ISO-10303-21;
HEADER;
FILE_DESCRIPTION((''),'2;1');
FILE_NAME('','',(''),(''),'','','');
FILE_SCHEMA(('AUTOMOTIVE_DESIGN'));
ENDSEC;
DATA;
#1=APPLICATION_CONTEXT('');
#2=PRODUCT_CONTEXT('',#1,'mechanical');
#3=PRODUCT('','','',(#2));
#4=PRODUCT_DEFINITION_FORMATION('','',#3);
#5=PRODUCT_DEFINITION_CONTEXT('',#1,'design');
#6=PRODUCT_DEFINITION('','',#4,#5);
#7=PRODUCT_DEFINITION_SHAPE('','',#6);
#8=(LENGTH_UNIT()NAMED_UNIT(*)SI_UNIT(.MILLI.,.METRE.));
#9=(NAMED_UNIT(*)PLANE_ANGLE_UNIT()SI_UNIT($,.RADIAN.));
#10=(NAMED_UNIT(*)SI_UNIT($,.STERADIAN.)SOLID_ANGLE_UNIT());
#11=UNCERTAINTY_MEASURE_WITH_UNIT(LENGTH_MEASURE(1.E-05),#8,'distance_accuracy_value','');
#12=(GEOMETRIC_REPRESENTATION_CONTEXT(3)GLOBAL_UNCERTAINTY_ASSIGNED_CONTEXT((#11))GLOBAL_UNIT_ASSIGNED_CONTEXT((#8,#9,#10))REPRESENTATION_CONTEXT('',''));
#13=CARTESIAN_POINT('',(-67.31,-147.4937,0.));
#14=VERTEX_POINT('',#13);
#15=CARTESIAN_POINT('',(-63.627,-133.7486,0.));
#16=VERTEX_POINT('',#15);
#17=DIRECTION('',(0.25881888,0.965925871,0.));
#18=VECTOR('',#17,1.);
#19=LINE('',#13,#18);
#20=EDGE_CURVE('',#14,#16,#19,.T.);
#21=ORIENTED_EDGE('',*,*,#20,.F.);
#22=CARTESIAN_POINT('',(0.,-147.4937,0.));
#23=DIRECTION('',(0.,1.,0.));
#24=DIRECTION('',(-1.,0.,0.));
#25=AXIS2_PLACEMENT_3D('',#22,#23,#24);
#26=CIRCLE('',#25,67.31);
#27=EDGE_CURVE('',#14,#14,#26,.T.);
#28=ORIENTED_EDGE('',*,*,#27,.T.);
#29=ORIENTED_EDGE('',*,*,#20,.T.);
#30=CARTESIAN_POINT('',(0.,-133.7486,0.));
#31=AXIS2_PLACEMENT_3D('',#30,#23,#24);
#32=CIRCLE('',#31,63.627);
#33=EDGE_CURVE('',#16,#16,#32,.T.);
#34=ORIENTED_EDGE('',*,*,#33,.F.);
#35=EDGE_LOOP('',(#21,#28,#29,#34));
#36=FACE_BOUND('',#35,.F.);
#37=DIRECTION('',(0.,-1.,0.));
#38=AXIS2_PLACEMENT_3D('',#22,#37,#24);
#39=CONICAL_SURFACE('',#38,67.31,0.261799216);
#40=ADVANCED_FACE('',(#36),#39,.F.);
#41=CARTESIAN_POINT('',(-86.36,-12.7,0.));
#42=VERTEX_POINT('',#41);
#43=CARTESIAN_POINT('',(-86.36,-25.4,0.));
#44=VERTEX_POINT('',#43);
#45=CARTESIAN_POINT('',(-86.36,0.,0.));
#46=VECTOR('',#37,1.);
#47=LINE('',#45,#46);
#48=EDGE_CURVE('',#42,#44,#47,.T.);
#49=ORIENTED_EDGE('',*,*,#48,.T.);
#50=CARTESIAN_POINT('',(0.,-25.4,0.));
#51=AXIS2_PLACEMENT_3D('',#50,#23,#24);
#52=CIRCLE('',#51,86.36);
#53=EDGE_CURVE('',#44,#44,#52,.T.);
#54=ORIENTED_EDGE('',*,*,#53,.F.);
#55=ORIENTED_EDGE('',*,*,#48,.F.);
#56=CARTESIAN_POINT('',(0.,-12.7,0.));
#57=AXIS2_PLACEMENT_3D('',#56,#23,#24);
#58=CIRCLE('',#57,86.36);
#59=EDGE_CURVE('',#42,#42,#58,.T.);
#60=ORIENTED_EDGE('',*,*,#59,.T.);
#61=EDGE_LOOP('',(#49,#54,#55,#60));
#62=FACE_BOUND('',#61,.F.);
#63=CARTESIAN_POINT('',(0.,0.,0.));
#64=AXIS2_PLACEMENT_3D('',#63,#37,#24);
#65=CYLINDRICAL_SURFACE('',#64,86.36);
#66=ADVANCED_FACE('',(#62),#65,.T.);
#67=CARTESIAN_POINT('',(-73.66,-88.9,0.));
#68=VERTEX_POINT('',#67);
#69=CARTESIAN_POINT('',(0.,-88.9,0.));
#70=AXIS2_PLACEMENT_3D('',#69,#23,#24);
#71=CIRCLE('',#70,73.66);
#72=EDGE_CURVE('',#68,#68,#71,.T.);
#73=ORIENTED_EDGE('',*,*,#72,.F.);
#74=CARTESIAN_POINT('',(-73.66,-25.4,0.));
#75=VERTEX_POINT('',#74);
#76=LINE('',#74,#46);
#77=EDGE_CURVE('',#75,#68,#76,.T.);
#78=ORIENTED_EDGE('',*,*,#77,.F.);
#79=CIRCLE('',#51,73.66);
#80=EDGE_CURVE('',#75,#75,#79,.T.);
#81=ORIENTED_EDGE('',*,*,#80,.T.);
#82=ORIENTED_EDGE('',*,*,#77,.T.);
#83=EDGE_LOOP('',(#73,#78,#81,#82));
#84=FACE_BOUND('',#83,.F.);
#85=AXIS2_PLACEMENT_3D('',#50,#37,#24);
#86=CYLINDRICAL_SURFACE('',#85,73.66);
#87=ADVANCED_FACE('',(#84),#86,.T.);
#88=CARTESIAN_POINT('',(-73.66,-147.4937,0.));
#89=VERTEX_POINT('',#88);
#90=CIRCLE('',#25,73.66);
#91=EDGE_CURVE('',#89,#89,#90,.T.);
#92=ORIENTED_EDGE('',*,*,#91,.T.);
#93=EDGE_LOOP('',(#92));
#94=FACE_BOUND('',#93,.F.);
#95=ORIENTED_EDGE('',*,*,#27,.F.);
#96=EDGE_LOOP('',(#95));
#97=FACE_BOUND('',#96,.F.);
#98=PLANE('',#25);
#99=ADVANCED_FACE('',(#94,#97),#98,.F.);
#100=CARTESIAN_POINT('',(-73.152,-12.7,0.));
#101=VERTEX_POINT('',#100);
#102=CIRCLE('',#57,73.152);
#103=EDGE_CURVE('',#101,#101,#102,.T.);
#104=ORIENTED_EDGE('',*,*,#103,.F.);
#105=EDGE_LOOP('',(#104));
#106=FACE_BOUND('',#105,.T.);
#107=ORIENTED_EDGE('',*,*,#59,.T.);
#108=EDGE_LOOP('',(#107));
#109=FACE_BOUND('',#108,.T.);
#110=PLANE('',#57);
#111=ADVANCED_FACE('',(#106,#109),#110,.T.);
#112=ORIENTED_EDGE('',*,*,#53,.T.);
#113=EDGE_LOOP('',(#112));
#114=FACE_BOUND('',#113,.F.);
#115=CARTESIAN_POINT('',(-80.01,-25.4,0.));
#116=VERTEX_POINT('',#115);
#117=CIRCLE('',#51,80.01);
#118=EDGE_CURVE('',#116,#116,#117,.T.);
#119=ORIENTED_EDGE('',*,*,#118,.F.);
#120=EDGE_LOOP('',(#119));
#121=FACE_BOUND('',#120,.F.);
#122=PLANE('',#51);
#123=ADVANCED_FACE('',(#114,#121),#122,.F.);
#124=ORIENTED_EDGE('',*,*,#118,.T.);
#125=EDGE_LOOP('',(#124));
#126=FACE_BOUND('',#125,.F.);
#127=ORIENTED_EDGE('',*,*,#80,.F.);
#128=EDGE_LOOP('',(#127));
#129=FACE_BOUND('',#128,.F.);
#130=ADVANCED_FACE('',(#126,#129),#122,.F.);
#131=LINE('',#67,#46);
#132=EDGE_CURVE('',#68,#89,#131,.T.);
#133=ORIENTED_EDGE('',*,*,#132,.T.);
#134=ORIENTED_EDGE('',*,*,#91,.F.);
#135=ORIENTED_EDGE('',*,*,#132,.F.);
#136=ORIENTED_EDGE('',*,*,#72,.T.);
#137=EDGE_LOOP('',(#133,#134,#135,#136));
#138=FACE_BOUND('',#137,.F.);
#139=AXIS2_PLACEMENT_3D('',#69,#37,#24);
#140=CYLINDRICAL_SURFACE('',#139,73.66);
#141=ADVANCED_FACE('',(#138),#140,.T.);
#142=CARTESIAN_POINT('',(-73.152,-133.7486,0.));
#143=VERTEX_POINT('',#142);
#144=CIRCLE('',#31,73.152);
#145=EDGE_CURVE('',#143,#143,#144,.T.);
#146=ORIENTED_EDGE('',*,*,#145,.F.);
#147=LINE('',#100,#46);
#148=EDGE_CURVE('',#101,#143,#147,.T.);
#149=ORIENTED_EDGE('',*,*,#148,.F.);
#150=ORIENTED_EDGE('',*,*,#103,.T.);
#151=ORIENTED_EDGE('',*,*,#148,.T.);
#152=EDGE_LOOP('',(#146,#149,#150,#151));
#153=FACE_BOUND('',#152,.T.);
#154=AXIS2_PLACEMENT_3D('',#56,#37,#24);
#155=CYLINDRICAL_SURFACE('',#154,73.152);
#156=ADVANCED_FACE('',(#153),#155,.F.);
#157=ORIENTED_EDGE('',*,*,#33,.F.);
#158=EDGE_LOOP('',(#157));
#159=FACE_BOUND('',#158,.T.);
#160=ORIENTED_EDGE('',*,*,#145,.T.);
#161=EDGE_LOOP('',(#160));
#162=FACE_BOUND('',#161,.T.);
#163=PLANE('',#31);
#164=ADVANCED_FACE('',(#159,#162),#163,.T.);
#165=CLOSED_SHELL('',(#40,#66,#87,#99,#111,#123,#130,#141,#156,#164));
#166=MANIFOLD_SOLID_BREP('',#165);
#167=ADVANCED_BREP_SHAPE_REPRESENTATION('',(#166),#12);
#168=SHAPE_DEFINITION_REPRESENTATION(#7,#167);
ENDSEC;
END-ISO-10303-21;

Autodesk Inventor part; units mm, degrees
ref_plane "YZ Plane" through (0, 0, 0) normal (1, 0, 0) x (0, 1, 0)
ref_plane "XZ Plane" through (0, 0, 0) normal (0, 1, 0) x (-1, 0, 0)
ref_plane "XY Plane" through (0, 0, 0) normal (0, 0, 1) x (1, 0, 0)
sketch "Sketch1" plane through (0, 0, 0) normal (0, 0, 1) x (1, 0, 0)
  line L0 (0, 25.4) -> (-28.702, 25.4) construction
  line L1 (0, 25.4) -> (-86.36, 25.4) construction
  line L2 (-86.36, 25.4) -> (-80.01, 25.4) construction
  line L3 (-80.01, 25.4) -> (-73.66, 22.4389) construction
  line L4 (-80.01, 25.4) -> (-80.01, 22.4389) construction
  line L5 (-80.01, 0) -> (-86.36, 0)
  line L6 (-28.702, 59.6457) -> (-28.702, -91.9304) construction
  arc A0 (-28.9184, -4.2142) -> (-32.3684, 3.1843) centre (-35.052, -2.5707) ccw
  line L7 (-67.31, -147.4937) -> (-28.9184, -4.2142)
  line L8 (-80.01, 22.4389) -> (-73.66, 22.4389)
  line L9 (-80.01, 22.4389) -> (-80.01, 0)
  line L10 (-73.66, 22.4389) -> (-32.3684, 3.1843)
  line L11 (-28.702, -2.5707) -> (-60.452, -2.5707) construction
  line L12 (-60.452, 16.28) -> (-60.452, -121.8993) construction
  line L13 (-60.452, -121.8993) -> (-54.102, -121.8993) construction
  line L14 (-54.102, -121.8993) -> (-54.102, -98.2008) construction
  line L15 (-54.102, -98.2008) -> (-60.452, -98.2008)
  line L16 (-60.452, 16.28) -> (-60.452, 6.755) construction
  line L17 (-60.452, 16.28) -> (-60.452, 9.93) construction
  line L18 (-60.452, 9.93) -> (-46.8344, 9.93)
  line L19 (-60.452, 9.93) -> (-60.452, -98.2008)
  line L20 (-86.36, 0) -> (-86.36, -12.7) construction
  line L21 (-60.452, -12.7) -> (-73.152, -12.7) construction
  line L22 (-86.36, -12.7) -> (-86.36, -25.4) construction
  line L23 (-86.36, -25.4) -> (-86.36, -88.9) construction
  line L24 (-86.36, -88.9) -> (-73.66, -88.9) construction
  line L25 (-73.66, -88.9) -> (-73.66, -25.4) construction
  line L26 (-86.36, -25.4) -> (-73.66, -25.4)
  line L27 (-73.66, -25.4) -> (-73.66, -88.9)
  line L28 (-73.66, -88.9) -> (-86.36, -88.9)
  line L29 (-86.36, -12.7) -> (-73.152, -12.7)
  line L30 (-73.152, -133.7486) -> (-63.627, -133.7486)
  line L31 (-73.66, -88.9) -> (-73.66, -147.4937)
  line L32 (-73.66, -147.4937) -> (-67.31, -147.4937)
  line L33 (-73.152, -12.7) -> (-73.152, -133.7486)
  line L34 (-80.01, -25.4) -> (-80.01, -31.3436)
  line L35 (-80.01, -31.3436) -> (-86.36, -31.3436)
  line L36 (-86.36, 0) -> (-86.36, -25.4)
  line L37 (-86.36, -31.3436) -> (-86.36, -88.9)
  line L38 (0, -319.0244) -> (0, 122.7573) projected
  point P0 (0, 0)
  point P1 (-86.36, -255.9127)
  point P2 (-76.835, 22.4389)
  dimension "d0" = 28.702
  dimension "d1" = 86.36
  dimension "d2" = 6.35
  dimension "d3" = 25
  dimension "d5" = 25.4
  dimension "d6" = 25.4
  dimension "d8" = 12.7
  dimension "d11" = 6.35
  dimension "d12" = 31.75
  dimension "d13" = 6.35
  dimension "d15" = 6.35
  dimension "d16" = 12.7
  dimension "d17" = 12.7
  dimension "d18" = 12.7
  dimension "d19" = 63.5
  dimension "d20" = 12.7
  dimension "d22" = 9.525
  dimension "d23" = 6.35
  dimension "d25" = 5.9436
  dimension "d26" = 15
  dimension "d30" = 67.31
revolve "Revolution3" add sketch "Sketch1" angle 360 about axis through (0, -10, 0) along (0, 1, 0) contours L29 L33 L30 L7 L32 L31 L27 L26 L36
properties part number "Carrier Master Sketch"
